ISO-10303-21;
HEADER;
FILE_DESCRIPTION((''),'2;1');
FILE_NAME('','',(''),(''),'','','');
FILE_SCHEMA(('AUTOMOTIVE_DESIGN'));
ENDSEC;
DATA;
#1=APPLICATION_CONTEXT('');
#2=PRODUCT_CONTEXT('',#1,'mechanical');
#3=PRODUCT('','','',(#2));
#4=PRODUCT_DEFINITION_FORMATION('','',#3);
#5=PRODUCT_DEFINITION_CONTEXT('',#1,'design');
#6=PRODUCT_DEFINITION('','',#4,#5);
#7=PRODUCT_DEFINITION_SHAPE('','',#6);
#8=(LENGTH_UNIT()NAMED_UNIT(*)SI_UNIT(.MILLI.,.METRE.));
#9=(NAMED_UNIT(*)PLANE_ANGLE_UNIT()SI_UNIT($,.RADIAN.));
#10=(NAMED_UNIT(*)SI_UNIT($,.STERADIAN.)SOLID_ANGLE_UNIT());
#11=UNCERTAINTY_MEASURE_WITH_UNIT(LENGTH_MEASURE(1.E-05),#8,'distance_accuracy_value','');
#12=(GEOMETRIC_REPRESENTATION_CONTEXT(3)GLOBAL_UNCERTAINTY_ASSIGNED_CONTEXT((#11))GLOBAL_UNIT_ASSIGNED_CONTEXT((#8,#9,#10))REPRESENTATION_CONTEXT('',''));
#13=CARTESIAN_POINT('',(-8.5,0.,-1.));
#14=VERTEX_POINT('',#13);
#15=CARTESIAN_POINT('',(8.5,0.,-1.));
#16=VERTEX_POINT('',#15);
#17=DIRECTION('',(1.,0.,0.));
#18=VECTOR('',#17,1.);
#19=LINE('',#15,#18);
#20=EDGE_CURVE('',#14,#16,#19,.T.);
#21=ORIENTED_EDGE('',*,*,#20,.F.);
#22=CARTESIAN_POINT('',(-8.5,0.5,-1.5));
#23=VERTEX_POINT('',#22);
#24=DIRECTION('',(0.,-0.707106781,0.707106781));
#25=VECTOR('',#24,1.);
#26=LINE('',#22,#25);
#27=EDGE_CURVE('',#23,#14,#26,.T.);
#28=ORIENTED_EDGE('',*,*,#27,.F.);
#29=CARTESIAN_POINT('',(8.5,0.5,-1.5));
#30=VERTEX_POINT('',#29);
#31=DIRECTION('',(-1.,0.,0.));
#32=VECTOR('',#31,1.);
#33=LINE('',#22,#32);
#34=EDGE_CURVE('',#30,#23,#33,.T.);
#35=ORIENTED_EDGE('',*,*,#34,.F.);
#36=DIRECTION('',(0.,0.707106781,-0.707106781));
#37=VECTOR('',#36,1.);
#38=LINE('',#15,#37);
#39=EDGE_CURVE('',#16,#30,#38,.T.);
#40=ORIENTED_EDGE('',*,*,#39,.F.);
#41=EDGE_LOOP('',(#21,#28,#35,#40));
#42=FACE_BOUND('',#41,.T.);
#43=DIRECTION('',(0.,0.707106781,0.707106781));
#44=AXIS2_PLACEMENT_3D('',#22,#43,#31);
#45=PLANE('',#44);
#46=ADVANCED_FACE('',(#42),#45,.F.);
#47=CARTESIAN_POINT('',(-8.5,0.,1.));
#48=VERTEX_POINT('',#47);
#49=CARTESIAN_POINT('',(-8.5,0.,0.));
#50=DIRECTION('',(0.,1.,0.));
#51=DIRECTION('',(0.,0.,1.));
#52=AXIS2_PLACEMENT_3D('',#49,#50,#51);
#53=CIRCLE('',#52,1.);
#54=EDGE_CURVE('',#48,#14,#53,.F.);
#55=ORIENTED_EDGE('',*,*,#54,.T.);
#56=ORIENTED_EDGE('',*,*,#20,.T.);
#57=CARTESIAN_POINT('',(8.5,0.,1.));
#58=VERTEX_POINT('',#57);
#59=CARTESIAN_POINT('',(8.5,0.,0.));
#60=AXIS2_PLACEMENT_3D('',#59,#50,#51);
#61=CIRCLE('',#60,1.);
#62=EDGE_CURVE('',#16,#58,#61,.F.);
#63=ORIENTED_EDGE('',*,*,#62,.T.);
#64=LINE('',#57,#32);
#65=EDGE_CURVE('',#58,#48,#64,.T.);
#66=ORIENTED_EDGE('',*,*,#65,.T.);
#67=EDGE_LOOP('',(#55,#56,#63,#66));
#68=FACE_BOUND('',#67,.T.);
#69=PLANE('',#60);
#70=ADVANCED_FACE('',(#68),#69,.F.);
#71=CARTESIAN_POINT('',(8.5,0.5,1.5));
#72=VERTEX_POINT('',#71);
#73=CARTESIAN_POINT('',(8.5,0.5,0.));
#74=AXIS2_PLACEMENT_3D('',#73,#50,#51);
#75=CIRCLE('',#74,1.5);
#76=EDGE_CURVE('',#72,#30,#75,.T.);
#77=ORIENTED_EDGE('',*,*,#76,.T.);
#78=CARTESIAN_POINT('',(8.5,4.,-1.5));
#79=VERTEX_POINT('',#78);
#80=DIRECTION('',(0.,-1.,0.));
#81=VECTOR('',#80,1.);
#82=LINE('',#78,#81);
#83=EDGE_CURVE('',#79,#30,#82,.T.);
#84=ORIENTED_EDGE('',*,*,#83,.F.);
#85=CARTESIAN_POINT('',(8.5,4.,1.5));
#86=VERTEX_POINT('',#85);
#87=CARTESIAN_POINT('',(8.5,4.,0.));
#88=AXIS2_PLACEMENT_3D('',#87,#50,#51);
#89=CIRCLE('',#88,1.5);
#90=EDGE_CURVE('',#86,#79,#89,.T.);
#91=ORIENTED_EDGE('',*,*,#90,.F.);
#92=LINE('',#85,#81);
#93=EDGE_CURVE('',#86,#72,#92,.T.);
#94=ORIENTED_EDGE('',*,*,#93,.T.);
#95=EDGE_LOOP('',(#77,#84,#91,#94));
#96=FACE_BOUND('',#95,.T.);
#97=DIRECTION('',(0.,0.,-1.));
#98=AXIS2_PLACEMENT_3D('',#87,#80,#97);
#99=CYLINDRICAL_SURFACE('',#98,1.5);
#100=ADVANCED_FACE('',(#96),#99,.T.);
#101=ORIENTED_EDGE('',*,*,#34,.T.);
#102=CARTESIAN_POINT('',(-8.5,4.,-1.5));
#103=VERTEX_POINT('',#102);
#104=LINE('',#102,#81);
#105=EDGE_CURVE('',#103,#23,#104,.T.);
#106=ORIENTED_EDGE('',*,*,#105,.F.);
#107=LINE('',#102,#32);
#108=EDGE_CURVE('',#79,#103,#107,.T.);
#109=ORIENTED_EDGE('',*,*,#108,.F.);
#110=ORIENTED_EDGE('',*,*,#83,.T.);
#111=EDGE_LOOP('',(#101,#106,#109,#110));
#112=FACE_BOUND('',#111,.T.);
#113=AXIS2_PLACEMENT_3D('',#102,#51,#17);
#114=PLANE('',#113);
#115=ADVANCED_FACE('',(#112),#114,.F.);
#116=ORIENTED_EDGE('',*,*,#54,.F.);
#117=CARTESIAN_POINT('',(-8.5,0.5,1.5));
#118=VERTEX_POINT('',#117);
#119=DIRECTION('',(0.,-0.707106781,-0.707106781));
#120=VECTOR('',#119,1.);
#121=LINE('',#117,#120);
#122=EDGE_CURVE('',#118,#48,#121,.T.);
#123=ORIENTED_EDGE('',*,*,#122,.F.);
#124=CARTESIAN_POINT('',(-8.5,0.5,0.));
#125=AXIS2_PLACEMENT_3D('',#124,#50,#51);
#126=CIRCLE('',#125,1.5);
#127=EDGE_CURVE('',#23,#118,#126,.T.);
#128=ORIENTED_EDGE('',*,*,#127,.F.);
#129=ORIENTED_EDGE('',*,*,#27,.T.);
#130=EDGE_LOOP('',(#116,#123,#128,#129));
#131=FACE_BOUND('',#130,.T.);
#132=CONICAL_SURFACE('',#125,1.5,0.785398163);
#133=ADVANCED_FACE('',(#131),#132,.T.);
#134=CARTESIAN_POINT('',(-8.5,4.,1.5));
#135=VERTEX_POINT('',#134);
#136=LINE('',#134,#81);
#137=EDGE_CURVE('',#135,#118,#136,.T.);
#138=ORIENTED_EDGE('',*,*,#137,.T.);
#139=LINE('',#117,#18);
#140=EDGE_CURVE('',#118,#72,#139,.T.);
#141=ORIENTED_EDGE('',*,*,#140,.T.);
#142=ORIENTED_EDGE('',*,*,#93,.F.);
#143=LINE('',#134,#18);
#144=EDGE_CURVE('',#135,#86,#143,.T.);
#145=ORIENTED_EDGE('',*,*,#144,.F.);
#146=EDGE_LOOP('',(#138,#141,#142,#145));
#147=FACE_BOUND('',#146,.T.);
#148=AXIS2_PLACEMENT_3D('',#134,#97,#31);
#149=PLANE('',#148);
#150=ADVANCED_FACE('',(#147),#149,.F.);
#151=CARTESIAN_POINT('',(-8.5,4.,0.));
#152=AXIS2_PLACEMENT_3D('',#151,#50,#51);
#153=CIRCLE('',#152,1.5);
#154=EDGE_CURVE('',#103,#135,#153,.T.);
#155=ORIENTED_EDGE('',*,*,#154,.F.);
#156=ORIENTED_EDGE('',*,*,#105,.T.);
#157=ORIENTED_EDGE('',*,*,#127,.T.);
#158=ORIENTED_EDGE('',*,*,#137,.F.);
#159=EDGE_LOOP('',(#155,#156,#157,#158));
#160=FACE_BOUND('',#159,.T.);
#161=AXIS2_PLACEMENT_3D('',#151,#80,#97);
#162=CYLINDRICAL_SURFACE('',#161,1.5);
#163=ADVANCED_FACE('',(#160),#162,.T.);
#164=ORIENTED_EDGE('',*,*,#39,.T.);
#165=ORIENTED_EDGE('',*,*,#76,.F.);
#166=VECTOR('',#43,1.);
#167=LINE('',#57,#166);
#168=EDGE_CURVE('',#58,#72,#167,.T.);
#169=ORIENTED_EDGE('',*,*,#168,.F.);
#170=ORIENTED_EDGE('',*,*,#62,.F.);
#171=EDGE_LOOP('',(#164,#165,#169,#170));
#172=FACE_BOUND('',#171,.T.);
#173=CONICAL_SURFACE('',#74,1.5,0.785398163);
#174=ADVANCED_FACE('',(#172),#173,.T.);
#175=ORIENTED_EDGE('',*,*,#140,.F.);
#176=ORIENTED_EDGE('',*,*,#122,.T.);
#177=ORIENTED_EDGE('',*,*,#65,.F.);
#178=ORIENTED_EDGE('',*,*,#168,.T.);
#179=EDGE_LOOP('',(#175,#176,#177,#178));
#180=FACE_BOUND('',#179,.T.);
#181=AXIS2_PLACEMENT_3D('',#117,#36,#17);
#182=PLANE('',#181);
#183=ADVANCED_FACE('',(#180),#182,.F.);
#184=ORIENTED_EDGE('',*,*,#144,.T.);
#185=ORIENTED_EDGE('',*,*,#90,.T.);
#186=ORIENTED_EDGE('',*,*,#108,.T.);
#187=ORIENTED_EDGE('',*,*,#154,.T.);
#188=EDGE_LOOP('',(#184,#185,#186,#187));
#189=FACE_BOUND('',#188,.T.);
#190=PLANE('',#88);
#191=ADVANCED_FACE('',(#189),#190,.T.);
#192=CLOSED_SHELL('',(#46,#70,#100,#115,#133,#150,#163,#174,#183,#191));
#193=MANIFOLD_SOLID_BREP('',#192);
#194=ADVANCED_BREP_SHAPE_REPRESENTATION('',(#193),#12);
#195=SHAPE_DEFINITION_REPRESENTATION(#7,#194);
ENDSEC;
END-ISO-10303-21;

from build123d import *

# Parameters (mm, degrees)
EXTRUDE_1_DEPTH = 4
CHAMFER_1_SIZE  = 0.5


with BuildPart() as part:
    # 草图1 → 凸台-拉伸1 (new body)
    with BuildSketch(Plane(origin=(0, 0, 0), x_dir=(1, 0, 0), z_dir=(0, 1, 0))):
        with BuildLine():
            Line((-8.5, -1.5), (8.5, -1.5))
            ThreePointArc((8.5, -1.5), (10, 0), (8.5, 1.5))
            Line((8.5, 1.5), (-8.5, 1.5))
            ThreePointArc((-8.5, 1.5), (-10, 0), (-8.5, -1.5))
        make_face()
    extrude(amount=EXTRUDE_1_DEPTH)

    # 倒角1
    chamfer_1_edges = [part.edges().sort_by_distance(p)[0] for p in [
        (0, 0, 1.5),
        (-10, 0, 0),
        (0, 0, -1.5),
        (10, 0, 0),
    ]]
    chamfer(chamfer_1_edges, length=CHAMFER_1_SIZE)


solid = part.part
